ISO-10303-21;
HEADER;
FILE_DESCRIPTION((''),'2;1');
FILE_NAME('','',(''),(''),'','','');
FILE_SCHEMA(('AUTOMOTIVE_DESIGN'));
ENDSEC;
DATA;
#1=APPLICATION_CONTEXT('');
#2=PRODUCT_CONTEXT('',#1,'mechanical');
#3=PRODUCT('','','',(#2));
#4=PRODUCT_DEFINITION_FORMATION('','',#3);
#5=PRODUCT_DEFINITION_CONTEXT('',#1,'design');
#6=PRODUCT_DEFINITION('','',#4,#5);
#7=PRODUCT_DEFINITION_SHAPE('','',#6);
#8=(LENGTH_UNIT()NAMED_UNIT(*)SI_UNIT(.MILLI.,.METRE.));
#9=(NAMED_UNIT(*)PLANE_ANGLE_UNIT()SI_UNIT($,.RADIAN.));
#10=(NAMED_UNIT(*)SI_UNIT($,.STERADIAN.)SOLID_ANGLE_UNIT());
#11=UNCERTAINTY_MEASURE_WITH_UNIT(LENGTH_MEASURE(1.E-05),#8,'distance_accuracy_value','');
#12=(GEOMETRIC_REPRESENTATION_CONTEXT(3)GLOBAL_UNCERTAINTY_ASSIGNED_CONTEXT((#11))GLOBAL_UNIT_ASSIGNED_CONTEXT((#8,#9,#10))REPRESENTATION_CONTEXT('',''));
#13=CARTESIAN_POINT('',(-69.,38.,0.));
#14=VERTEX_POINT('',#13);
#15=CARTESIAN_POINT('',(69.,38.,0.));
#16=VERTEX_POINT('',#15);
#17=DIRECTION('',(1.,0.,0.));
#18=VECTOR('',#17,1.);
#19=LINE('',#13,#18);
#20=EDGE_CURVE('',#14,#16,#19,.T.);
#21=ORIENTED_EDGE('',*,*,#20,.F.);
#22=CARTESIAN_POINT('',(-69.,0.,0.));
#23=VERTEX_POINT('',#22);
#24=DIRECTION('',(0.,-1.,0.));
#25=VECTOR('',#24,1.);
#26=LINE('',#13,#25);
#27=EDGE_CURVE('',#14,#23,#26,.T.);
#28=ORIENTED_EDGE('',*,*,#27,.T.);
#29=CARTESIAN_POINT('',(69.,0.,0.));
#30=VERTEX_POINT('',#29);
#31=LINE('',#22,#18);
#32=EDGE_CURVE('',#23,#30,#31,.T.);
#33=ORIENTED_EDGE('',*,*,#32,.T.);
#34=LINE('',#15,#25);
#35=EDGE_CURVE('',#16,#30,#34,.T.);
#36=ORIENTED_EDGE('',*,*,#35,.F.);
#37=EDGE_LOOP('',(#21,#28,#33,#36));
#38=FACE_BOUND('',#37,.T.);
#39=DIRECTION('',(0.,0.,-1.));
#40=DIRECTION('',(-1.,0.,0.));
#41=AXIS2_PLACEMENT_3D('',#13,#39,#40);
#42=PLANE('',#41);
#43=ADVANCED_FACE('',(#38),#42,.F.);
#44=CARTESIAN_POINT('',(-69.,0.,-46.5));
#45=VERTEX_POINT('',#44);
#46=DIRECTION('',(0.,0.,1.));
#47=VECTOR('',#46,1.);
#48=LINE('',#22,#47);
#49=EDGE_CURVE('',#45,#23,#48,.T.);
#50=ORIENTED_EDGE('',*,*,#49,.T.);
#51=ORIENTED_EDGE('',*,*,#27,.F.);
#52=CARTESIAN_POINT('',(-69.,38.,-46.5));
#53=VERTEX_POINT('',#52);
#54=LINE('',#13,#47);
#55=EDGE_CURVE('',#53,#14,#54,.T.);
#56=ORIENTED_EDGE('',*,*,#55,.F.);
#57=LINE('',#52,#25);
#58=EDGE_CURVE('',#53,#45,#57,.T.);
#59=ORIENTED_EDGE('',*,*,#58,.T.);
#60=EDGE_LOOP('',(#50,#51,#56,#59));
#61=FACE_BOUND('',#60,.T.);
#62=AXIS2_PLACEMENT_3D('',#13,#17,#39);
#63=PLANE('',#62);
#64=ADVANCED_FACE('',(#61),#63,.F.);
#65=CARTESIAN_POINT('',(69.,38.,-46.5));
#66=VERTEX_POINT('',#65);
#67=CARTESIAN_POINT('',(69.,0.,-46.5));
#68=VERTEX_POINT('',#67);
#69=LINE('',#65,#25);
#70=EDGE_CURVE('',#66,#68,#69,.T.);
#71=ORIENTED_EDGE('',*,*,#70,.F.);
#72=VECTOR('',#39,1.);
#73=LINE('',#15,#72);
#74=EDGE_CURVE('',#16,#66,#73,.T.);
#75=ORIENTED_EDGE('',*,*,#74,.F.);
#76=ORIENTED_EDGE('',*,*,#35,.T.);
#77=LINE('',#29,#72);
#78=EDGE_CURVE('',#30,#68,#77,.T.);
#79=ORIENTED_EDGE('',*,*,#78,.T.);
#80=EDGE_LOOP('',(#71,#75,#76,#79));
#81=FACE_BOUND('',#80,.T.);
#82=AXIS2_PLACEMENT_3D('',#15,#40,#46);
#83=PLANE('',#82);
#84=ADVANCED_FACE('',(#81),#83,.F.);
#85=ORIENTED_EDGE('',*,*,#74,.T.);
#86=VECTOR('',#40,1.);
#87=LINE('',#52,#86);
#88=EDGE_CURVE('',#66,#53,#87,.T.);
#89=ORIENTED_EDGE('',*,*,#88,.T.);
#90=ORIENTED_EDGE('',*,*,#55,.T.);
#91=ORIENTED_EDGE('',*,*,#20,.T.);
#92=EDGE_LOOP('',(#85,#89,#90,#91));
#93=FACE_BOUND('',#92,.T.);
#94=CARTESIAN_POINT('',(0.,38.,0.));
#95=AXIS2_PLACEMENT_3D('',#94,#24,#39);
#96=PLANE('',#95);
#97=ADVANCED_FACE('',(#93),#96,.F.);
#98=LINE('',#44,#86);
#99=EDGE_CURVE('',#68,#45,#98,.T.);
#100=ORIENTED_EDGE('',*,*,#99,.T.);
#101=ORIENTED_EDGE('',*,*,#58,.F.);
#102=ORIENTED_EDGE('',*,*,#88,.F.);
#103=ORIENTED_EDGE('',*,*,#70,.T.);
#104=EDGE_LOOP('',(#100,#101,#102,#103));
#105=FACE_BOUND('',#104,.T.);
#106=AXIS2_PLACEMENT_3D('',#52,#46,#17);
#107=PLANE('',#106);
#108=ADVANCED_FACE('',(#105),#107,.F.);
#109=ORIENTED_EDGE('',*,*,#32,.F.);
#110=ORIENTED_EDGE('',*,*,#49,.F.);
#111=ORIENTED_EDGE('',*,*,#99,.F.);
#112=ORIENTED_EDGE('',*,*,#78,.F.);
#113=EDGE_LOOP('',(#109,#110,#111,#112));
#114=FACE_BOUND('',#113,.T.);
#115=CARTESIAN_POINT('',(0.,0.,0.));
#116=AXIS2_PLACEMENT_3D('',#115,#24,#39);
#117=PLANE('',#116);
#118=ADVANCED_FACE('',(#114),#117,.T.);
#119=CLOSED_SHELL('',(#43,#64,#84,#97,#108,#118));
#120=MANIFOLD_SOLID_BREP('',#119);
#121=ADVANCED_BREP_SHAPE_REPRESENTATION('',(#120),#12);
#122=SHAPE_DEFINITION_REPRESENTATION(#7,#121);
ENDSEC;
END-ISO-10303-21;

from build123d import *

# Parameters (mm, degrees)
SKIZZE1_W                       = 138
SKIZZE1_H                       = 46.5
AUFSATZ_LINEAR_AUSTRAGEN1_DEPTH = 38


with BuildPart() as part:
    # Skizze1 → Aufsatz-Linear austragen1 (new body)
    with BuildSketch(Plane(origin=(0, 0, 0), x_dir=(1, 0, 0), z_dir=(0, 1, 0))):
        with Locations((0, 23.25)):
            Rectangle(SKIZZE1_W, SKIZZE1_H)
    extrude(amount=AUFSATZ_LINEAR_AUSTRAGEN1_DEPTH)


solid = part.part
